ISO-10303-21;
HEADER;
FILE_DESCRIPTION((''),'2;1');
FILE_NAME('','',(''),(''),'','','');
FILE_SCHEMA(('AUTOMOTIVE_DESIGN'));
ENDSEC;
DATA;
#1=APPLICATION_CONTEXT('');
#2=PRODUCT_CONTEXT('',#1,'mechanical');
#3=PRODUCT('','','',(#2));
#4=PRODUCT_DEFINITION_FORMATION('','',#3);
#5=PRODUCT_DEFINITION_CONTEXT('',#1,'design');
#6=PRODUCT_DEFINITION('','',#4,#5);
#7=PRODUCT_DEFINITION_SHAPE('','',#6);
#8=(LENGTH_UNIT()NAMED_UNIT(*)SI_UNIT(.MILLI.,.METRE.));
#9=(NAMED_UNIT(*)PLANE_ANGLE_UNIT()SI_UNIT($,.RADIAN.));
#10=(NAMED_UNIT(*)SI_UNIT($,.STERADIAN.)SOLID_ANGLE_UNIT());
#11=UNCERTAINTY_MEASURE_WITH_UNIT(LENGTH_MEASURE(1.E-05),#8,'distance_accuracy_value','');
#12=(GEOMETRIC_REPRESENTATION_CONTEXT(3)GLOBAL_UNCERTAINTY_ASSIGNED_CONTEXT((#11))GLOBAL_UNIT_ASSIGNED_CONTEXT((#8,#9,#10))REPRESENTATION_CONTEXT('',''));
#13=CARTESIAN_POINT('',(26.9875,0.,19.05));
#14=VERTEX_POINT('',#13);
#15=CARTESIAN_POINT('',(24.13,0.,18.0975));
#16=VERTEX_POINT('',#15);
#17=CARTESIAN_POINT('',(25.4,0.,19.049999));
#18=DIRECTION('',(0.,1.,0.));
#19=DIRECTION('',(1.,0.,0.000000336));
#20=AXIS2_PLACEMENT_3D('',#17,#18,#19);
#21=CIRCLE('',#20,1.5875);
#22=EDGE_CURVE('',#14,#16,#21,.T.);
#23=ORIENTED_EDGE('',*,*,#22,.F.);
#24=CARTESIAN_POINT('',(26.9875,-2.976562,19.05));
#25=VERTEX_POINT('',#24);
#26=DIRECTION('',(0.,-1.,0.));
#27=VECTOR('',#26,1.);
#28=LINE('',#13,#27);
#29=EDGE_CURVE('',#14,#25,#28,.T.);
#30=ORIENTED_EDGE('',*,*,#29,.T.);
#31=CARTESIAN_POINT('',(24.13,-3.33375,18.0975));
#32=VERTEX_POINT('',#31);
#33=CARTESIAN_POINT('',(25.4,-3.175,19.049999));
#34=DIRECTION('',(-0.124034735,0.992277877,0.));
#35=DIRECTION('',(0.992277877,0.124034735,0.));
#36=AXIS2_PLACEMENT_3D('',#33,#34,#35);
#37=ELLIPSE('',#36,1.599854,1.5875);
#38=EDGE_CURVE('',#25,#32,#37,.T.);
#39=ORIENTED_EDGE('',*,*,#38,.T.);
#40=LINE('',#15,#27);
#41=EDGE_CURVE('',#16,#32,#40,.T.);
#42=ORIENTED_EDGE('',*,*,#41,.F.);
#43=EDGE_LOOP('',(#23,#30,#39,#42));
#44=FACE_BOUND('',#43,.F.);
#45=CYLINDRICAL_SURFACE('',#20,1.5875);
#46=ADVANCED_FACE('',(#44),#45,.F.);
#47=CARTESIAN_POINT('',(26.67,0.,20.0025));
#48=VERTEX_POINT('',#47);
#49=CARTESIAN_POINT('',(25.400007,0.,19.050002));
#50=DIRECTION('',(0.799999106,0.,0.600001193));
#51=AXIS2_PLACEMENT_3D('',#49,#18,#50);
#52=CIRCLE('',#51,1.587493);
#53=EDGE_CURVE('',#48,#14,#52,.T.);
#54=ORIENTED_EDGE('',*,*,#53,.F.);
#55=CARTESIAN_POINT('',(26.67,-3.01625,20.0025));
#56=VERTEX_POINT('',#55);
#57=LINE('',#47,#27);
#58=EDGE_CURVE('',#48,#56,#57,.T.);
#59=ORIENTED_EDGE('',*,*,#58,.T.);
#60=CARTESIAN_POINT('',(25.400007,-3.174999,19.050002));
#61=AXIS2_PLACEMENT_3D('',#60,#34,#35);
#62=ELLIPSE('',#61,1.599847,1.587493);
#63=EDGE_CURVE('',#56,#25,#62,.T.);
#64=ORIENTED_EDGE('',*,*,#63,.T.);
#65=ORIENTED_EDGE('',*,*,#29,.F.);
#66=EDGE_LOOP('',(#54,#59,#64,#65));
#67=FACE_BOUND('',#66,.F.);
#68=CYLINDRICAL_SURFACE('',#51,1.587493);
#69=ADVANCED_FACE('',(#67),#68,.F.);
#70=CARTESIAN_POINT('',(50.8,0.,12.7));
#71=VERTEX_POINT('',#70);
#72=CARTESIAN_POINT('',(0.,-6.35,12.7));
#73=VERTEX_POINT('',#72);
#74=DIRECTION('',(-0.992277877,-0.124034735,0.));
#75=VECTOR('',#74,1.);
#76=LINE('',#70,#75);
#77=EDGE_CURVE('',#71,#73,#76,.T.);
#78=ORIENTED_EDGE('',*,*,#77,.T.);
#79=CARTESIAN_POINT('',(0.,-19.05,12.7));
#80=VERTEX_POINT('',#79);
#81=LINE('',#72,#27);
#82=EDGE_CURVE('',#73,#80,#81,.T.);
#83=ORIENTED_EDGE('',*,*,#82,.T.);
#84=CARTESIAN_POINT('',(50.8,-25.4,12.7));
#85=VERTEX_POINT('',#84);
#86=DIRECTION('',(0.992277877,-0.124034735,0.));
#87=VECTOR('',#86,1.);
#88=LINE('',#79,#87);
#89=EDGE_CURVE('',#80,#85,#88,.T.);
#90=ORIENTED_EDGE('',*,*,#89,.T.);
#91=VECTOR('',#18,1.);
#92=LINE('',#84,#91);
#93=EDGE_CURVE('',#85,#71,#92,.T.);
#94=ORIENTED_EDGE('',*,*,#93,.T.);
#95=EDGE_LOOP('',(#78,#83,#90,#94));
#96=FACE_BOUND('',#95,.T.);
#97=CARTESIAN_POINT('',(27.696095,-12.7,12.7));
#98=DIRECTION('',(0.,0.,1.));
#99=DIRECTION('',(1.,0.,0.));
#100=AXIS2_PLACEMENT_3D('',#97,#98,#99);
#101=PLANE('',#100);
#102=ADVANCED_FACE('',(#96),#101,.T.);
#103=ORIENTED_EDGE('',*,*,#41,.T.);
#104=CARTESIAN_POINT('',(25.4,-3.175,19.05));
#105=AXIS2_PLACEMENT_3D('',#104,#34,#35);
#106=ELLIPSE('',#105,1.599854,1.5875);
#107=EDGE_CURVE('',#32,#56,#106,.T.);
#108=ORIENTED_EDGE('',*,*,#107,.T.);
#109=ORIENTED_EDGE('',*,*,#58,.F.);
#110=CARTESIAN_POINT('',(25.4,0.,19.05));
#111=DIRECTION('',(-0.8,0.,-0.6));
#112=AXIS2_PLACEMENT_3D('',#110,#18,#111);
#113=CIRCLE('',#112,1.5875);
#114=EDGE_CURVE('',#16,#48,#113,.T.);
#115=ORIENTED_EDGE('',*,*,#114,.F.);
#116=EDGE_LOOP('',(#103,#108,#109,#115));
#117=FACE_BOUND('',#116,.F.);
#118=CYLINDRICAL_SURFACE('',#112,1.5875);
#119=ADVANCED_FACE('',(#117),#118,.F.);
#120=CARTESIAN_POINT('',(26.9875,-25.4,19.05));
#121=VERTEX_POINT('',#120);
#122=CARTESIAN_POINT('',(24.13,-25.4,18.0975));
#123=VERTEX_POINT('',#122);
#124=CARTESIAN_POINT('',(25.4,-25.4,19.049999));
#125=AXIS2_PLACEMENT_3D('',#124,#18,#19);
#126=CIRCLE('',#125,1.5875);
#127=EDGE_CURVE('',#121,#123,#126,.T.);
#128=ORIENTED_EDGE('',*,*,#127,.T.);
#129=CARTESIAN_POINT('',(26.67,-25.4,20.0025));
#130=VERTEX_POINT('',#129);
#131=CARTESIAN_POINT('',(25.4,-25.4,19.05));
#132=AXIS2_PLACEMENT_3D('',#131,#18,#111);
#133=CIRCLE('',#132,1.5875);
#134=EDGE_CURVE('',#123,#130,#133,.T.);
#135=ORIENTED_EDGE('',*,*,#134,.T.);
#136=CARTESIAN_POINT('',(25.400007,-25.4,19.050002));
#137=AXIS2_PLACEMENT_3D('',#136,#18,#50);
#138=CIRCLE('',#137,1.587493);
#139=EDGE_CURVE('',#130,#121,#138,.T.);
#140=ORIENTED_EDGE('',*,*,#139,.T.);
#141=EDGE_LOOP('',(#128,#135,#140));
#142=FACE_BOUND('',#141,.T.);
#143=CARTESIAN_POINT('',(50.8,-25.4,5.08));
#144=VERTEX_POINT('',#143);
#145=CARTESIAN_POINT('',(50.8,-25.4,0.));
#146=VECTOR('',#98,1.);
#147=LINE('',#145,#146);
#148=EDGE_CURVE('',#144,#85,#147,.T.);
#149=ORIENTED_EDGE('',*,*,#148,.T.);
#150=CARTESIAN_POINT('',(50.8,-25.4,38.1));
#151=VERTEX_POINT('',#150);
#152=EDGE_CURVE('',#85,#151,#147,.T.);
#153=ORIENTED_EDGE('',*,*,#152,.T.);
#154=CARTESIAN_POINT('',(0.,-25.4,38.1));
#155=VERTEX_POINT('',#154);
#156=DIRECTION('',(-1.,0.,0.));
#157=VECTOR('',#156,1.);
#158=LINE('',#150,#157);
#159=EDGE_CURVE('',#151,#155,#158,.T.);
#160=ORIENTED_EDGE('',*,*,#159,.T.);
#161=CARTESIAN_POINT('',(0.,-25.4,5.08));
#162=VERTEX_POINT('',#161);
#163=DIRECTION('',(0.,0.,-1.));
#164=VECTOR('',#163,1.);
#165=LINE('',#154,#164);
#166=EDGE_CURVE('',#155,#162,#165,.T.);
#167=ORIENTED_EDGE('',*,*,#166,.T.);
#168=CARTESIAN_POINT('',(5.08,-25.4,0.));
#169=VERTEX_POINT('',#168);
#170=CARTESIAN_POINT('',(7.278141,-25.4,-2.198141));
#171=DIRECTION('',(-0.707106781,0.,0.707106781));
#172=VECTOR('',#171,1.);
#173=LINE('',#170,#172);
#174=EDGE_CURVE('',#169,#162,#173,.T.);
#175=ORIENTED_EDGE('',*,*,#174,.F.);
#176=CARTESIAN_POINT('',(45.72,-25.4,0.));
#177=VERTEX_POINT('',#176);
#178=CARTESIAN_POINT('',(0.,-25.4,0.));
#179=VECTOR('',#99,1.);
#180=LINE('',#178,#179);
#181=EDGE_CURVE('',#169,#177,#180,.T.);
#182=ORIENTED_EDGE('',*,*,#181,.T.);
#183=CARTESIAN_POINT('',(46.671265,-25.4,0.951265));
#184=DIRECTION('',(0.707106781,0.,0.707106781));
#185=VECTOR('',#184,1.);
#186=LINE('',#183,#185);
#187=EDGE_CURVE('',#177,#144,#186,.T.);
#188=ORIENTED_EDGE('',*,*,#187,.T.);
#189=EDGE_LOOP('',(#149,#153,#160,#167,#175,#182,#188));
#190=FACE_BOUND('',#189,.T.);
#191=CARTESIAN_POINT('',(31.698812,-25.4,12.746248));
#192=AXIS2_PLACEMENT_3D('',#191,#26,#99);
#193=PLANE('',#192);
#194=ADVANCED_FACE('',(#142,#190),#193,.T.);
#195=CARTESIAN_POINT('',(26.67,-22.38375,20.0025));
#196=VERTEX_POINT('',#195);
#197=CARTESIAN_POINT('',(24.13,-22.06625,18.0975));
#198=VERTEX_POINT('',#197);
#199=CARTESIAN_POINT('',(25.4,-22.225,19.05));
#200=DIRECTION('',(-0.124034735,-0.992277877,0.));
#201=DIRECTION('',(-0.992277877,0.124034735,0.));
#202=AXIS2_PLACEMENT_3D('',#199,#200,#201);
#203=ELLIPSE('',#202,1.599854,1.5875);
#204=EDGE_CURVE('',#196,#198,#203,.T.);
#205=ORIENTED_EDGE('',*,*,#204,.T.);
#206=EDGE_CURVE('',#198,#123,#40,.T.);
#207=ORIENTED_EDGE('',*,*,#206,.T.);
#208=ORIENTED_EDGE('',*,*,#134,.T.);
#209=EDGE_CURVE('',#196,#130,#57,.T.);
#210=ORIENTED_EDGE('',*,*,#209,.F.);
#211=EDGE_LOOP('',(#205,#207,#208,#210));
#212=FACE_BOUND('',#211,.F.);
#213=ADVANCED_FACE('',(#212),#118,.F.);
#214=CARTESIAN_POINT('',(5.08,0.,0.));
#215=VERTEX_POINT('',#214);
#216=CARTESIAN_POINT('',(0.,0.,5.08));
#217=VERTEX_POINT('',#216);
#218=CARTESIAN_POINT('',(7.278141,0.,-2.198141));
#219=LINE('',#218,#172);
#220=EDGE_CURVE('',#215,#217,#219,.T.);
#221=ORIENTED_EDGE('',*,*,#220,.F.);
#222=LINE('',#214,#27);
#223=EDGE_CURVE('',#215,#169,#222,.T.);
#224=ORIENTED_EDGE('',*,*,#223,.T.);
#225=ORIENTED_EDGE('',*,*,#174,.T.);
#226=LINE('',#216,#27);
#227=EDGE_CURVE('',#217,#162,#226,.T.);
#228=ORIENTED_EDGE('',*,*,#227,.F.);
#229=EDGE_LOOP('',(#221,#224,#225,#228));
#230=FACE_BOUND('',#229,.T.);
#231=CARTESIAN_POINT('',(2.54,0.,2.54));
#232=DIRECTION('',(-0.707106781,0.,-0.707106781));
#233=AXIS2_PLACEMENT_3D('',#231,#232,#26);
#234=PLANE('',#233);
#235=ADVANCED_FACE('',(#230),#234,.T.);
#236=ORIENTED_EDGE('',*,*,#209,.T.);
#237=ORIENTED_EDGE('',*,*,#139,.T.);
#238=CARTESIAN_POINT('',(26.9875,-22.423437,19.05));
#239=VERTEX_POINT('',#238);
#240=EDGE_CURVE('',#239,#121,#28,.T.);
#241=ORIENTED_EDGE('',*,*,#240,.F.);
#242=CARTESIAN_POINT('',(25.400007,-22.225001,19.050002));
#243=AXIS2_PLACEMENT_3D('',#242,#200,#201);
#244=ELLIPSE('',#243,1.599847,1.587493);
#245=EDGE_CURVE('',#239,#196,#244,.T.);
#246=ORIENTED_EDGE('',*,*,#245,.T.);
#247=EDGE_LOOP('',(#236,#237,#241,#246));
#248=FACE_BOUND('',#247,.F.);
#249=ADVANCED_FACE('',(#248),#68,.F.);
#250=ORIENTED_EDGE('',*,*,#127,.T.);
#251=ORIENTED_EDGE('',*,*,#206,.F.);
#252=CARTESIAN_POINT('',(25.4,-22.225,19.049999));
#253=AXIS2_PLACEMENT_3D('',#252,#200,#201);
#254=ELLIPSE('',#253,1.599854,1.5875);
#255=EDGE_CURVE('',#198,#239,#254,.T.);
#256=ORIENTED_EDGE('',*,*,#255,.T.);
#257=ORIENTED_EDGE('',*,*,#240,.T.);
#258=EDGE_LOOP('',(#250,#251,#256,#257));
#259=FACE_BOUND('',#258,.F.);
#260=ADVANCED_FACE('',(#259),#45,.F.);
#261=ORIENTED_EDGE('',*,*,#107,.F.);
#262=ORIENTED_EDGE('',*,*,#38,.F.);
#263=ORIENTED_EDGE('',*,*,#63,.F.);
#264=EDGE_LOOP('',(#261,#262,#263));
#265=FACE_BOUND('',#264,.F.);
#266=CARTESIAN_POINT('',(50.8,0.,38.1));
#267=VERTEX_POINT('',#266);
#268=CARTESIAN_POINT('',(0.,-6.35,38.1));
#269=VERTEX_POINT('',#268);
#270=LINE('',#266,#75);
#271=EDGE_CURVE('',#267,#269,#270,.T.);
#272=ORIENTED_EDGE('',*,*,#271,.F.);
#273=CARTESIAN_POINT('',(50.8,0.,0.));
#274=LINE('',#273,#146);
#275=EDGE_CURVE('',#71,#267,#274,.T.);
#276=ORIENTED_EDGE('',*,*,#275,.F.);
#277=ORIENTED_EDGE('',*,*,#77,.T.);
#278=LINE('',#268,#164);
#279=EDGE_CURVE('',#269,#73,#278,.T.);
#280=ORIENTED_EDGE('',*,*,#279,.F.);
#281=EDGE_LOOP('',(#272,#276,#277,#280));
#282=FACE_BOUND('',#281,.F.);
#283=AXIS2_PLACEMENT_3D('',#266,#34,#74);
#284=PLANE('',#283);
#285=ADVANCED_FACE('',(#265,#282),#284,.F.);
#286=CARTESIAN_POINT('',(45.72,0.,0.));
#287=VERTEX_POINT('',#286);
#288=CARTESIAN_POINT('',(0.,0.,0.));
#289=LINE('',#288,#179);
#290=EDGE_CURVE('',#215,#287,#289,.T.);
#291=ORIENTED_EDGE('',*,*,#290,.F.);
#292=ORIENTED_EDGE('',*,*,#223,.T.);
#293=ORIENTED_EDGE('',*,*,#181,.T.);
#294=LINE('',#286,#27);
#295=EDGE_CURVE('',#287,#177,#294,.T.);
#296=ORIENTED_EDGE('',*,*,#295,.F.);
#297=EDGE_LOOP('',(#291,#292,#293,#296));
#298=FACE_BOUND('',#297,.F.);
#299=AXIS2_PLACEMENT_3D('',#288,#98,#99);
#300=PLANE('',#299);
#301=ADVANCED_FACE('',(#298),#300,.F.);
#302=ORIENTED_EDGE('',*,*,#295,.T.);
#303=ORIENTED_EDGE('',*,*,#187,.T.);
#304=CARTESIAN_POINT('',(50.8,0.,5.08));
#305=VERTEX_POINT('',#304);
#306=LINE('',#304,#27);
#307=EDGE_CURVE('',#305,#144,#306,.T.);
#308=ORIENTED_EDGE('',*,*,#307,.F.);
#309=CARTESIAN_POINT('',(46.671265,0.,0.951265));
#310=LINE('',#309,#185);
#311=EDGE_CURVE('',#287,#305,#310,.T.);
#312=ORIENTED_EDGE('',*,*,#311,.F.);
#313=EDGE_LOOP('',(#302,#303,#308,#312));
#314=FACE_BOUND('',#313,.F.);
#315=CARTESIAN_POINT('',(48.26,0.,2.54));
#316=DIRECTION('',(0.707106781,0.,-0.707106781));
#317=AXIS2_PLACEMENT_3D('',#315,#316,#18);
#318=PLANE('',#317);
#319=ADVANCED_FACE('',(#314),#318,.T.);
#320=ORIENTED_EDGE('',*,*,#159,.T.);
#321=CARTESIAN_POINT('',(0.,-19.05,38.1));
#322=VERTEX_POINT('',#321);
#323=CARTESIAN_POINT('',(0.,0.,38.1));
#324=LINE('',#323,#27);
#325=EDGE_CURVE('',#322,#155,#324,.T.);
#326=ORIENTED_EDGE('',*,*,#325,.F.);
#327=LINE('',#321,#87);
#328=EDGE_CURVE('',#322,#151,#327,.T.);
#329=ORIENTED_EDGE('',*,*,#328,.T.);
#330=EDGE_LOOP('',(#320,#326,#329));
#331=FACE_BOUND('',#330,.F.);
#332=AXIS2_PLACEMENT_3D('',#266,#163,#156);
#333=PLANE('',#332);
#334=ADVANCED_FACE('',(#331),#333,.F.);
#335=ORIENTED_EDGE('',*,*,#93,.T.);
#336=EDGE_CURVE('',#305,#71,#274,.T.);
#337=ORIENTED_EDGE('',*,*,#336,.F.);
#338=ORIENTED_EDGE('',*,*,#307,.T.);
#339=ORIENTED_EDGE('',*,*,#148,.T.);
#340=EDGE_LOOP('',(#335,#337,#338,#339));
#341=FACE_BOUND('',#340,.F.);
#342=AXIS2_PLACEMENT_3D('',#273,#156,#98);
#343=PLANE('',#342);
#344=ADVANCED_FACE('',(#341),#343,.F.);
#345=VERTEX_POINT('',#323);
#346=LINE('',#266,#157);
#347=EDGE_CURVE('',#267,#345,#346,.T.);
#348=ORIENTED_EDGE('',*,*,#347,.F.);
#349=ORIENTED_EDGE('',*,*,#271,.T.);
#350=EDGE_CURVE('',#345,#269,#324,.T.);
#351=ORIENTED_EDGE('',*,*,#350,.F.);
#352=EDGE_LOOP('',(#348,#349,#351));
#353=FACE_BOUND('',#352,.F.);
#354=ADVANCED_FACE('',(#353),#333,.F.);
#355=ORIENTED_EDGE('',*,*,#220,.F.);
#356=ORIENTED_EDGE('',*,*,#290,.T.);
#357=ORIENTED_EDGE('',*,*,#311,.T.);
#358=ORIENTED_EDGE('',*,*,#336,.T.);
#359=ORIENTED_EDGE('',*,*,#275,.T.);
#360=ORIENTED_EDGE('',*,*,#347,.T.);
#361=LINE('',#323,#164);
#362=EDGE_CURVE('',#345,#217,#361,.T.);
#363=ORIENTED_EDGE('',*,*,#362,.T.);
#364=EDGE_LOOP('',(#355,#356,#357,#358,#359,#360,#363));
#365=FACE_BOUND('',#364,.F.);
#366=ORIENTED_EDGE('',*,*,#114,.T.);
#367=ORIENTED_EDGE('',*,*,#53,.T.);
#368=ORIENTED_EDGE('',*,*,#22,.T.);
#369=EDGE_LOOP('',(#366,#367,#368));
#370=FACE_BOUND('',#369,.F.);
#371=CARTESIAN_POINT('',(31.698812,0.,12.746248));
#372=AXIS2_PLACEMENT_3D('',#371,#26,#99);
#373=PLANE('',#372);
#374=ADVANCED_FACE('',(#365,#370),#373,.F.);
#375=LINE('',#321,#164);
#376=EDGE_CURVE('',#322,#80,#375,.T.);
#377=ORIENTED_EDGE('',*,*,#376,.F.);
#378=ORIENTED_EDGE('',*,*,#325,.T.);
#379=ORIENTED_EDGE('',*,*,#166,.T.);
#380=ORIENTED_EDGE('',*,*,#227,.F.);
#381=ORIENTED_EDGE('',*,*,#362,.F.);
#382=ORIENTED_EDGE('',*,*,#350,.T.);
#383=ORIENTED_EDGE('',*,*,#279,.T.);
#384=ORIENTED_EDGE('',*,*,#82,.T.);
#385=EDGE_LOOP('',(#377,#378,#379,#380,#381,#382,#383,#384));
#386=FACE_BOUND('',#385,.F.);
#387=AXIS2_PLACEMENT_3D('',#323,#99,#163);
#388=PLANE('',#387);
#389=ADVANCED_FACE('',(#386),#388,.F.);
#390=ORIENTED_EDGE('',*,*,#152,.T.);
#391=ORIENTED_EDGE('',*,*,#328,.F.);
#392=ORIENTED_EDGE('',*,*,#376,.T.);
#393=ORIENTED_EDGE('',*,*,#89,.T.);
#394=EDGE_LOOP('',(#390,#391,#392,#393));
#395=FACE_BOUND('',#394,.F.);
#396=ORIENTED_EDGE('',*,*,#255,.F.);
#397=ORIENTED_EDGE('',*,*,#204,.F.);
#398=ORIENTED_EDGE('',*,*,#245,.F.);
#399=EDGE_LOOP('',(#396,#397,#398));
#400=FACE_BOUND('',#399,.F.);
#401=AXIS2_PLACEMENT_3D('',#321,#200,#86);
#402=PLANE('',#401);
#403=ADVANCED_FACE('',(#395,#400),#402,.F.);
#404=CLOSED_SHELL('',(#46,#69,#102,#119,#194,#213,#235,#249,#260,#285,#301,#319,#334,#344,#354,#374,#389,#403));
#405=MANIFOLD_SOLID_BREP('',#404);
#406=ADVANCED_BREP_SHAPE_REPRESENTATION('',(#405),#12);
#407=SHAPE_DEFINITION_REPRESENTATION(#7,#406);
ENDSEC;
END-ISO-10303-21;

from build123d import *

# Parameters (mm, degrees)
F1_DEPTH = 25.4
F3_DEPTH = 25.4
F4_SIZE  = 5.08


with BuildPart() as f1:
    # F0 (on Front) → F1 (new body)
    with BuildSketch(Plane.XZ):
        with BuildLine():
            Line((24.13, 18.0975), (0, 0))
            Line((0, 0), (50.8, 0))
            Line((50.8, 0), (50.8, 38.1))
            Line((50.8, 38.1), (26.67, 20.0025))
            ThreePointArc((26.67, 20.0025), (26.906035, 19.552012), (26.9875, 19.05))
            ThreePointArc((26.9875, 19.05), (25.902012, 17.543965), (24.13, 18.0975))
        make_face()
        with BuildLine():
            Line((0, 38.1), (0, 0))
            Line((0, 0), (24.13, 18.0975))
            ThreePointArc((24.13, 18.0975), (24.4475, 20.32), (26.67, 20.0025))
            Line((26.67, 20.0025), (50.8, 38.1))
            Line((50.8, 38.1), (0, 38.1))
        make_face()
    extrude(amount=F1_DEPTH)

    # F2 (on face) → F3 (cut)
    with BuildSketch(Plane.XY.offset(38.1)):
        Polygon((0, -6.35), (0, -19.05), (50.8, -25.4), (50.8, 0), align=None)
    extrude(amount=-F3_DEPTH, mode=Mode.SUBTRACT)

    # F4
    f4_edges = [f1.edges().sort_by_distance(p)[0] for p in [
        (50.8, -12.7, 0),
        (0, -12.7, 0),
    ]]
    chamfer(f4_edges, length=F4_SIZE)


solid = f1.part
